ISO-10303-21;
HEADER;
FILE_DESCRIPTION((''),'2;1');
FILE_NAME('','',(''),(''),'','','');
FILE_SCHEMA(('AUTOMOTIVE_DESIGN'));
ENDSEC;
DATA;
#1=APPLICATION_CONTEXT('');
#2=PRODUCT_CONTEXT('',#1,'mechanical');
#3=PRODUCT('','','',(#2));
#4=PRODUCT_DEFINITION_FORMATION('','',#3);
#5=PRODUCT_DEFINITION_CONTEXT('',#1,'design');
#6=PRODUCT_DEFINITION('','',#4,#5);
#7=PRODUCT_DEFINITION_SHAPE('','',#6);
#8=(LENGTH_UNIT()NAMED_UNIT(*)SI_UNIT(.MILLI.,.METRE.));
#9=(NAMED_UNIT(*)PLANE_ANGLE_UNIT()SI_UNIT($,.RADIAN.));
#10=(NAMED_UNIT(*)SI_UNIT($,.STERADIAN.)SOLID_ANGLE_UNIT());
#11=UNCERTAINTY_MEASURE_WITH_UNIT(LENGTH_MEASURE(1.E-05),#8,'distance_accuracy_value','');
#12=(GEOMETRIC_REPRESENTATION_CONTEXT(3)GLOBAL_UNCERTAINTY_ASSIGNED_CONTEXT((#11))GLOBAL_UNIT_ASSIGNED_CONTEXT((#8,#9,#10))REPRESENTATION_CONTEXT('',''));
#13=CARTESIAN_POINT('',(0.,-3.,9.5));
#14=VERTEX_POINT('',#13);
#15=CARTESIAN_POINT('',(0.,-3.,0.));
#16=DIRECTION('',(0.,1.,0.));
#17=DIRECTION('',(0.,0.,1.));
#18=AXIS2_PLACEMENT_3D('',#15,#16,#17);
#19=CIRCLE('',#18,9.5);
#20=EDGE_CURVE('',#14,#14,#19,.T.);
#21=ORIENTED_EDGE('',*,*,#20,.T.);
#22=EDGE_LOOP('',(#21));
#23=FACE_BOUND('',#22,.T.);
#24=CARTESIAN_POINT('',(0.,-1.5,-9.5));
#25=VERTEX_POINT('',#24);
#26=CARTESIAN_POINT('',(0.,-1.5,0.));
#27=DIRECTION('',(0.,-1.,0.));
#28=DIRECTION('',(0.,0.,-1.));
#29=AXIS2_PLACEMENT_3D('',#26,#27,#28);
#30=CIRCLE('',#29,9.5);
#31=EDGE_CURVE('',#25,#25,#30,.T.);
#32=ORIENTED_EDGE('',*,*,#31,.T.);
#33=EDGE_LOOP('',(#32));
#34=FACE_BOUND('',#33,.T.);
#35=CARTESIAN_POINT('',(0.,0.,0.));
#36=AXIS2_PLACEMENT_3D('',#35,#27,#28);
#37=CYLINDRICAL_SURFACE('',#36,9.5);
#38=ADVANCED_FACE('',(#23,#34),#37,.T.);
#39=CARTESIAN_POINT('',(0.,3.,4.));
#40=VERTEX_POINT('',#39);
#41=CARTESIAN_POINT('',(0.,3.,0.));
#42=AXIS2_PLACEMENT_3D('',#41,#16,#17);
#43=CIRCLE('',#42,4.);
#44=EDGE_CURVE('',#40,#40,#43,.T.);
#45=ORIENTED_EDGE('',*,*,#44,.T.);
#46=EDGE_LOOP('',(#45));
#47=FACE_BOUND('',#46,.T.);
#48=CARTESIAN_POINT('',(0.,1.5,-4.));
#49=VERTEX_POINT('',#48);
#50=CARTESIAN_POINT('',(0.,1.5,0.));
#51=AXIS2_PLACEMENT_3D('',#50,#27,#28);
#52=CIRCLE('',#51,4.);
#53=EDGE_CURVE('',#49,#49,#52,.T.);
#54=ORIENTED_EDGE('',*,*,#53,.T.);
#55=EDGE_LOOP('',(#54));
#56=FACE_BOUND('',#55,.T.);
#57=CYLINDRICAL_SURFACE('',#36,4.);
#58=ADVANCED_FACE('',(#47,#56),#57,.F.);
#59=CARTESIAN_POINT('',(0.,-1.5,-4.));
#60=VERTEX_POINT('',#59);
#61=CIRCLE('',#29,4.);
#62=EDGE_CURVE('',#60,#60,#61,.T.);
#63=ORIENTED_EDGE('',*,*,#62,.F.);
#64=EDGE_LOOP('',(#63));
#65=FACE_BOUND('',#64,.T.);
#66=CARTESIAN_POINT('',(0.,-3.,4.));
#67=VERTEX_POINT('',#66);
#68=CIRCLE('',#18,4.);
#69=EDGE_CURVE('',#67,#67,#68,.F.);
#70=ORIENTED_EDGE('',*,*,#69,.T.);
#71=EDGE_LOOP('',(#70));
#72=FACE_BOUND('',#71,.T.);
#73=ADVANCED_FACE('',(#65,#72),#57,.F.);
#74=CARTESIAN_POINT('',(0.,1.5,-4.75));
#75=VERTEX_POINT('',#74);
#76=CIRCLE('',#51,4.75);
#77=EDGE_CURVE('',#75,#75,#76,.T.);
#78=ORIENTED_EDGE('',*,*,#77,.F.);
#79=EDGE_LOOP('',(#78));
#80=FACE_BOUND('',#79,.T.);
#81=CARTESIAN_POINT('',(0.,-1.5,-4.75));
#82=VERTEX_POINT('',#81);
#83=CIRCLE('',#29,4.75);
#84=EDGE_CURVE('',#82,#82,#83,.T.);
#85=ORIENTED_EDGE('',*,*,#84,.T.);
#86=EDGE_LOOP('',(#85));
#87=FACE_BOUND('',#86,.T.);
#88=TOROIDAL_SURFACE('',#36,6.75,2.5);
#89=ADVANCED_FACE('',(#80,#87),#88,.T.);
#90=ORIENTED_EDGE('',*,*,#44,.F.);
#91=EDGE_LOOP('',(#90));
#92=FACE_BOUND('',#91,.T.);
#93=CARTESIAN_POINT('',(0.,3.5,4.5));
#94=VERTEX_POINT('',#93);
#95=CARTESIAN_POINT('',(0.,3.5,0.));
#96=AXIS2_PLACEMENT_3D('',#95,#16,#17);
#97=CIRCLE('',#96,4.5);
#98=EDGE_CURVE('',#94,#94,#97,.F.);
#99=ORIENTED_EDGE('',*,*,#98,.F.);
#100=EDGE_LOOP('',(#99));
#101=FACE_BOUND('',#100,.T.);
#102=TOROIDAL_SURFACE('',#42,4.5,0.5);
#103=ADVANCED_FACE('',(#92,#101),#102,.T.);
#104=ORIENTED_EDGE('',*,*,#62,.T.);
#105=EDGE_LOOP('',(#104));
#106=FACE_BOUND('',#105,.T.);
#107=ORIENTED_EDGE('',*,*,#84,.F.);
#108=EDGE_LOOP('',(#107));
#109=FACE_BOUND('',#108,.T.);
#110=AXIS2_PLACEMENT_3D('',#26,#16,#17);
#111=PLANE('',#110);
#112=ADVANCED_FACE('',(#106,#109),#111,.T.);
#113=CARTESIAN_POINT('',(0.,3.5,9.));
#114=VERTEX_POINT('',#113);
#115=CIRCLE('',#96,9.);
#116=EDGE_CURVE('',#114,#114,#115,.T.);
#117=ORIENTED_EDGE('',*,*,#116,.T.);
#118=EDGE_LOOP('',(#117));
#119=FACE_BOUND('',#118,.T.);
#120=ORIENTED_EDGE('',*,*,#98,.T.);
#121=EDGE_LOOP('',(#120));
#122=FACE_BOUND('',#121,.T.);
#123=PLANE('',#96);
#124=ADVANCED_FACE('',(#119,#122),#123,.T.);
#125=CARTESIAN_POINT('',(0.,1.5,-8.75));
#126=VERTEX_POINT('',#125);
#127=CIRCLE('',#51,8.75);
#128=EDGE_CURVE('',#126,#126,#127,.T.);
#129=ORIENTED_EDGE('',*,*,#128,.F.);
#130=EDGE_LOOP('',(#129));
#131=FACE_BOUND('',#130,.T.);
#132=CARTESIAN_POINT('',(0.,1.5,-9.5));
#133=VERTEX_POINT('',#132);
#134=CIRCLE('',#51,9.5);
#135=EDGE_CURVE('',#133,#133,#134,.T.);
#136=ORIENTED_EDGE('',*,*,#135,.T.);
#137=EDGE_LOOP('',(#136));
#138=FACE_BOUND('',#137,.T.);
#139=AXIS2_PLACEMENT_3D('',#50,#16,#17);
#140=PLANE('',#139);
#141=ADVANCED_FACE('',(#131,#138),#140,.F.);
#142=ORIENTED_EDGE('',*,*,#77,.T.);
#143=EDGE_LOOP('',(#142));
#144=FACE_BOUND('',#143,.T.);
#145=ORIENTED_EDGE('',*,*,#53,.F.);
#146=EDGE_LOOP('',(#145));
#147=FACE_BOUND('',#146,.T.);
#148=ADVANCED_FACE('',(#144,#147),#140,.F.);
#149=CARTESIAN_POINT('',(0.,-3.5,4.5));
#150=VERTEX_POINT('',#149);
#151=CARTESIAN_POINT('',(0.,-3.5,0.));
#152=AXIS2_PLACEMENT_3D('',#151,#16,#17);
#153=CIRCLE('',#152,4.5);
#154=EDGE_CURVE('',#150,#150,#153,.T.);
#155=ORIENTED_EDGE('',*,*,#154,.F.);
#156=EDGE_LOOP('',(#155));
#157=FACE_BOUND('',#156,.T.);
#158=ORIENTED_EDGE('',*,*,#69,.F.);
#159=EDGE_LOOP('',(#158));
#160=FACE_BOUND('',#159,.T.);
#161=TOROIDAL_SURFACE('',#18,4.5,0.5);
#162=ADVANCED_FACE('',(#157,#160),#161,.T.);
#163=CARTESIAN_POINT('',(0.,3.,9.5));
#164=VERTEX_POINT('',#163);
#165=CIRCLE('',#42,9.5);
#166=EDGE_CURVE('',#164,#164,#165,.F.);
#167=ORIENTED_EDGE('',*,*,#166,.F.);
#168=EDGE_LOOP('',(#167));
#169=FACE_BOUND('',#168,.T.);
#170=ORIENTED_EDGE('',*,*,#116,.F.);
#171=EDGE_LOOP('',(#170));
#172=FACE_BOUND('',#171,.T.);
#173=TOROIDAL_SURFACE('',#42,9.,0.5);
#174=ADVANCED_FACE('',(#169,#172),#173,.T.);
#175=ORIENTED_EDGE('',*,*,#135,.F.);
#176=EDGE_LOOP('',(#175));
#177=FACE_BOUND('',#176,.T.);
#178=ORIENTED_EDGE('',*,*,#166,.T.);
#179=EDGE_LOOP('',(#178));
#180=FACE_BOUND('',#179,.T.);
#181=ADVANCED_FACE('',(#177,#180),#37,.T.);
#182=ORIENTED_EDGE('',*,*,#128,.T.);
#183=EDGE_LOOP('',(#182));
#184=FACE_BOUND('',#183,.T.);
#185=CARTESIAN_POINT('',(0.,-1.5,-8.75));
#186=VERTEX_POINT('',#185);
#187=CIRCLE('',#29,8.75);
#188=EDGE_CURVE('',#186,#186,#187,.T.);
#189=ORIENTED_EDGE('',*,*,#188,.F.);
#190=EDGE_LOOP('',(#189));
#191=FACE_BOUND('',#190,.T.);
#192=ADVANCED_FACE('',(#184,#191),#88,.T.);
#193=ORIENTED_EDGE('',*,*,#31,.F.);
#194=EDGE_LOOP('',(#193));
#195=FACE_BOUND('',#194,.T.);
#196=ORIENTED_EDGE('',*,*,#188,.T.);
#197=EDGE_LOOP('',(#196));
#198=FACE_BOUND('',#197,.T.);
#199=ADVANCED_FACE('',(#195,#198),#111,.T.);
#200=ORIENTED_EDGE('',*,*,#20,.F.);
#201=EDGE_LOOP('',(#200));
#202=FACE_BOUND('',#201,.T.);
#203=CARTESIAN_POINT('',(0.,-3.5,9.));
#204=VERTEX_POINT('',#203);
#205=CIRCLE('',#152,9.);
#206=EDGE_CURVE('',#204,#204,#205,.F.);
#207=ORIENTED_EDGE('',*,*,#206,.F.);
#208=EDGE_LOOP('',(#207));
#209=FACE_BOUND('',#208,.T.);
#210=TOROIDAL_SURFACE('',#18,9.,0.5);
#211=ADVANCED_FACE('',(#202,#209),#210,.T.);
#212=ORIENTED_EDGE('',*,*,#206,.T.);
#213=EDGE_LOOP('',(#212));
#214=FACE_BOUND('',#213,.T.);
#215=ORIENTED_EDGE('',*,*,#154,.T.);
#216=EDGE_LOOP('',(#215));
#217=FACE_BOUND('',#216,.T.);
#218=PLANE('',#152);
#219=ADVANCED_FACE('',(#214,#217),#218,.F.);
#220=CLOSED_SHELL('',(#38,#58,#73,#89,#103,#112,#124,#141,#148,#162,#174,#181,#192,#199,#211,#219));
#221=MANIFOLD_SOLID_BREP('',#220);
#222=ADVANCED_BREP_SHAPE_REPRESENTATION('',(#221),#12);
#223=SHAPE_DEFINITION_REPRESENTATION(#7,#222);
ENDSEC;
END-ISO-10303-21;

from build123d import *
from build123d.topology import SkipClean

# Parameters (mm, degrees)
ESBO_O1_R = 2.5
ESBO_O1_W = 5.5
ESBO_O1_H = 2
FILETE1_R = 0.5


with BuildPart() as part:
    # Esboço1 → Revolução1 (revolve)
    with SkipClean():  # the faces are left unmerged after this step: merging them gives an invalid solid
        with BuildSketch(Plane.XY, mode=Mode.PRIVATE) as revolu_o1_sk:
            with Locations((-6.75, 0)):
                Circle(ESBO_O1_R)
            with Locations((-6.75, 2.5)):
                Rectangle(ESBO_O1_W, ESBO_O1_H)
            with BuildLine():
                ThreePointArc((-4.75, 1.5), (-6.75, 2.5), (-8.75, 1.5))
                Line((-8.75, 1.5), (-4.75, 1.5))
            make_face()
            with BuildLine():
                Line((-4.75, 1.5), (-8.75, 1.5))
                ThreePointArc((-8.75, 1.5), (-9.25, 0), (-8.75, -1.5))
                Line((-8.75, -1.5), (-4.75, -1.5))
                ThreePointArc((-4.75, -1.5), (-4.378291755, -0.790569415), (-4.25, 0))
                ThreePointArc((-4.25, 0), (-4.378291755, 0.790569415), (-4.75, 1.5))
            make_face()
            with BuildLine():
                Line((-4.75, -1.5), (-8.75, -1.5))
                ThreePointArc((-8.75, -1.5), (-6.75, -2.5), (-4.75, -1.5))
            make_face()
            with Locations((-6.75, -2.5)):
                Rectangle(ESBO_O1_W, ESBO_O1_H)
        revolve(revolu_o1_sk.sketch.rotate(Axis((0, 0, 0), (0, 1, 0)), 270), axis=Axis((0, 0, 0), (0, 1, 0)))

    # Filete1
    filete1_edges = [part.edges().sort_by_distance(p)[0] for p in [
        (0, 3.5, 4),
        (0, -3.5, 4),
        (0, -3.5, 9.5),
        (0, 3.5, 9.5),
    ]]
    fillet(filete1_edges, radius=FILETE1_R)


solid = part.part
